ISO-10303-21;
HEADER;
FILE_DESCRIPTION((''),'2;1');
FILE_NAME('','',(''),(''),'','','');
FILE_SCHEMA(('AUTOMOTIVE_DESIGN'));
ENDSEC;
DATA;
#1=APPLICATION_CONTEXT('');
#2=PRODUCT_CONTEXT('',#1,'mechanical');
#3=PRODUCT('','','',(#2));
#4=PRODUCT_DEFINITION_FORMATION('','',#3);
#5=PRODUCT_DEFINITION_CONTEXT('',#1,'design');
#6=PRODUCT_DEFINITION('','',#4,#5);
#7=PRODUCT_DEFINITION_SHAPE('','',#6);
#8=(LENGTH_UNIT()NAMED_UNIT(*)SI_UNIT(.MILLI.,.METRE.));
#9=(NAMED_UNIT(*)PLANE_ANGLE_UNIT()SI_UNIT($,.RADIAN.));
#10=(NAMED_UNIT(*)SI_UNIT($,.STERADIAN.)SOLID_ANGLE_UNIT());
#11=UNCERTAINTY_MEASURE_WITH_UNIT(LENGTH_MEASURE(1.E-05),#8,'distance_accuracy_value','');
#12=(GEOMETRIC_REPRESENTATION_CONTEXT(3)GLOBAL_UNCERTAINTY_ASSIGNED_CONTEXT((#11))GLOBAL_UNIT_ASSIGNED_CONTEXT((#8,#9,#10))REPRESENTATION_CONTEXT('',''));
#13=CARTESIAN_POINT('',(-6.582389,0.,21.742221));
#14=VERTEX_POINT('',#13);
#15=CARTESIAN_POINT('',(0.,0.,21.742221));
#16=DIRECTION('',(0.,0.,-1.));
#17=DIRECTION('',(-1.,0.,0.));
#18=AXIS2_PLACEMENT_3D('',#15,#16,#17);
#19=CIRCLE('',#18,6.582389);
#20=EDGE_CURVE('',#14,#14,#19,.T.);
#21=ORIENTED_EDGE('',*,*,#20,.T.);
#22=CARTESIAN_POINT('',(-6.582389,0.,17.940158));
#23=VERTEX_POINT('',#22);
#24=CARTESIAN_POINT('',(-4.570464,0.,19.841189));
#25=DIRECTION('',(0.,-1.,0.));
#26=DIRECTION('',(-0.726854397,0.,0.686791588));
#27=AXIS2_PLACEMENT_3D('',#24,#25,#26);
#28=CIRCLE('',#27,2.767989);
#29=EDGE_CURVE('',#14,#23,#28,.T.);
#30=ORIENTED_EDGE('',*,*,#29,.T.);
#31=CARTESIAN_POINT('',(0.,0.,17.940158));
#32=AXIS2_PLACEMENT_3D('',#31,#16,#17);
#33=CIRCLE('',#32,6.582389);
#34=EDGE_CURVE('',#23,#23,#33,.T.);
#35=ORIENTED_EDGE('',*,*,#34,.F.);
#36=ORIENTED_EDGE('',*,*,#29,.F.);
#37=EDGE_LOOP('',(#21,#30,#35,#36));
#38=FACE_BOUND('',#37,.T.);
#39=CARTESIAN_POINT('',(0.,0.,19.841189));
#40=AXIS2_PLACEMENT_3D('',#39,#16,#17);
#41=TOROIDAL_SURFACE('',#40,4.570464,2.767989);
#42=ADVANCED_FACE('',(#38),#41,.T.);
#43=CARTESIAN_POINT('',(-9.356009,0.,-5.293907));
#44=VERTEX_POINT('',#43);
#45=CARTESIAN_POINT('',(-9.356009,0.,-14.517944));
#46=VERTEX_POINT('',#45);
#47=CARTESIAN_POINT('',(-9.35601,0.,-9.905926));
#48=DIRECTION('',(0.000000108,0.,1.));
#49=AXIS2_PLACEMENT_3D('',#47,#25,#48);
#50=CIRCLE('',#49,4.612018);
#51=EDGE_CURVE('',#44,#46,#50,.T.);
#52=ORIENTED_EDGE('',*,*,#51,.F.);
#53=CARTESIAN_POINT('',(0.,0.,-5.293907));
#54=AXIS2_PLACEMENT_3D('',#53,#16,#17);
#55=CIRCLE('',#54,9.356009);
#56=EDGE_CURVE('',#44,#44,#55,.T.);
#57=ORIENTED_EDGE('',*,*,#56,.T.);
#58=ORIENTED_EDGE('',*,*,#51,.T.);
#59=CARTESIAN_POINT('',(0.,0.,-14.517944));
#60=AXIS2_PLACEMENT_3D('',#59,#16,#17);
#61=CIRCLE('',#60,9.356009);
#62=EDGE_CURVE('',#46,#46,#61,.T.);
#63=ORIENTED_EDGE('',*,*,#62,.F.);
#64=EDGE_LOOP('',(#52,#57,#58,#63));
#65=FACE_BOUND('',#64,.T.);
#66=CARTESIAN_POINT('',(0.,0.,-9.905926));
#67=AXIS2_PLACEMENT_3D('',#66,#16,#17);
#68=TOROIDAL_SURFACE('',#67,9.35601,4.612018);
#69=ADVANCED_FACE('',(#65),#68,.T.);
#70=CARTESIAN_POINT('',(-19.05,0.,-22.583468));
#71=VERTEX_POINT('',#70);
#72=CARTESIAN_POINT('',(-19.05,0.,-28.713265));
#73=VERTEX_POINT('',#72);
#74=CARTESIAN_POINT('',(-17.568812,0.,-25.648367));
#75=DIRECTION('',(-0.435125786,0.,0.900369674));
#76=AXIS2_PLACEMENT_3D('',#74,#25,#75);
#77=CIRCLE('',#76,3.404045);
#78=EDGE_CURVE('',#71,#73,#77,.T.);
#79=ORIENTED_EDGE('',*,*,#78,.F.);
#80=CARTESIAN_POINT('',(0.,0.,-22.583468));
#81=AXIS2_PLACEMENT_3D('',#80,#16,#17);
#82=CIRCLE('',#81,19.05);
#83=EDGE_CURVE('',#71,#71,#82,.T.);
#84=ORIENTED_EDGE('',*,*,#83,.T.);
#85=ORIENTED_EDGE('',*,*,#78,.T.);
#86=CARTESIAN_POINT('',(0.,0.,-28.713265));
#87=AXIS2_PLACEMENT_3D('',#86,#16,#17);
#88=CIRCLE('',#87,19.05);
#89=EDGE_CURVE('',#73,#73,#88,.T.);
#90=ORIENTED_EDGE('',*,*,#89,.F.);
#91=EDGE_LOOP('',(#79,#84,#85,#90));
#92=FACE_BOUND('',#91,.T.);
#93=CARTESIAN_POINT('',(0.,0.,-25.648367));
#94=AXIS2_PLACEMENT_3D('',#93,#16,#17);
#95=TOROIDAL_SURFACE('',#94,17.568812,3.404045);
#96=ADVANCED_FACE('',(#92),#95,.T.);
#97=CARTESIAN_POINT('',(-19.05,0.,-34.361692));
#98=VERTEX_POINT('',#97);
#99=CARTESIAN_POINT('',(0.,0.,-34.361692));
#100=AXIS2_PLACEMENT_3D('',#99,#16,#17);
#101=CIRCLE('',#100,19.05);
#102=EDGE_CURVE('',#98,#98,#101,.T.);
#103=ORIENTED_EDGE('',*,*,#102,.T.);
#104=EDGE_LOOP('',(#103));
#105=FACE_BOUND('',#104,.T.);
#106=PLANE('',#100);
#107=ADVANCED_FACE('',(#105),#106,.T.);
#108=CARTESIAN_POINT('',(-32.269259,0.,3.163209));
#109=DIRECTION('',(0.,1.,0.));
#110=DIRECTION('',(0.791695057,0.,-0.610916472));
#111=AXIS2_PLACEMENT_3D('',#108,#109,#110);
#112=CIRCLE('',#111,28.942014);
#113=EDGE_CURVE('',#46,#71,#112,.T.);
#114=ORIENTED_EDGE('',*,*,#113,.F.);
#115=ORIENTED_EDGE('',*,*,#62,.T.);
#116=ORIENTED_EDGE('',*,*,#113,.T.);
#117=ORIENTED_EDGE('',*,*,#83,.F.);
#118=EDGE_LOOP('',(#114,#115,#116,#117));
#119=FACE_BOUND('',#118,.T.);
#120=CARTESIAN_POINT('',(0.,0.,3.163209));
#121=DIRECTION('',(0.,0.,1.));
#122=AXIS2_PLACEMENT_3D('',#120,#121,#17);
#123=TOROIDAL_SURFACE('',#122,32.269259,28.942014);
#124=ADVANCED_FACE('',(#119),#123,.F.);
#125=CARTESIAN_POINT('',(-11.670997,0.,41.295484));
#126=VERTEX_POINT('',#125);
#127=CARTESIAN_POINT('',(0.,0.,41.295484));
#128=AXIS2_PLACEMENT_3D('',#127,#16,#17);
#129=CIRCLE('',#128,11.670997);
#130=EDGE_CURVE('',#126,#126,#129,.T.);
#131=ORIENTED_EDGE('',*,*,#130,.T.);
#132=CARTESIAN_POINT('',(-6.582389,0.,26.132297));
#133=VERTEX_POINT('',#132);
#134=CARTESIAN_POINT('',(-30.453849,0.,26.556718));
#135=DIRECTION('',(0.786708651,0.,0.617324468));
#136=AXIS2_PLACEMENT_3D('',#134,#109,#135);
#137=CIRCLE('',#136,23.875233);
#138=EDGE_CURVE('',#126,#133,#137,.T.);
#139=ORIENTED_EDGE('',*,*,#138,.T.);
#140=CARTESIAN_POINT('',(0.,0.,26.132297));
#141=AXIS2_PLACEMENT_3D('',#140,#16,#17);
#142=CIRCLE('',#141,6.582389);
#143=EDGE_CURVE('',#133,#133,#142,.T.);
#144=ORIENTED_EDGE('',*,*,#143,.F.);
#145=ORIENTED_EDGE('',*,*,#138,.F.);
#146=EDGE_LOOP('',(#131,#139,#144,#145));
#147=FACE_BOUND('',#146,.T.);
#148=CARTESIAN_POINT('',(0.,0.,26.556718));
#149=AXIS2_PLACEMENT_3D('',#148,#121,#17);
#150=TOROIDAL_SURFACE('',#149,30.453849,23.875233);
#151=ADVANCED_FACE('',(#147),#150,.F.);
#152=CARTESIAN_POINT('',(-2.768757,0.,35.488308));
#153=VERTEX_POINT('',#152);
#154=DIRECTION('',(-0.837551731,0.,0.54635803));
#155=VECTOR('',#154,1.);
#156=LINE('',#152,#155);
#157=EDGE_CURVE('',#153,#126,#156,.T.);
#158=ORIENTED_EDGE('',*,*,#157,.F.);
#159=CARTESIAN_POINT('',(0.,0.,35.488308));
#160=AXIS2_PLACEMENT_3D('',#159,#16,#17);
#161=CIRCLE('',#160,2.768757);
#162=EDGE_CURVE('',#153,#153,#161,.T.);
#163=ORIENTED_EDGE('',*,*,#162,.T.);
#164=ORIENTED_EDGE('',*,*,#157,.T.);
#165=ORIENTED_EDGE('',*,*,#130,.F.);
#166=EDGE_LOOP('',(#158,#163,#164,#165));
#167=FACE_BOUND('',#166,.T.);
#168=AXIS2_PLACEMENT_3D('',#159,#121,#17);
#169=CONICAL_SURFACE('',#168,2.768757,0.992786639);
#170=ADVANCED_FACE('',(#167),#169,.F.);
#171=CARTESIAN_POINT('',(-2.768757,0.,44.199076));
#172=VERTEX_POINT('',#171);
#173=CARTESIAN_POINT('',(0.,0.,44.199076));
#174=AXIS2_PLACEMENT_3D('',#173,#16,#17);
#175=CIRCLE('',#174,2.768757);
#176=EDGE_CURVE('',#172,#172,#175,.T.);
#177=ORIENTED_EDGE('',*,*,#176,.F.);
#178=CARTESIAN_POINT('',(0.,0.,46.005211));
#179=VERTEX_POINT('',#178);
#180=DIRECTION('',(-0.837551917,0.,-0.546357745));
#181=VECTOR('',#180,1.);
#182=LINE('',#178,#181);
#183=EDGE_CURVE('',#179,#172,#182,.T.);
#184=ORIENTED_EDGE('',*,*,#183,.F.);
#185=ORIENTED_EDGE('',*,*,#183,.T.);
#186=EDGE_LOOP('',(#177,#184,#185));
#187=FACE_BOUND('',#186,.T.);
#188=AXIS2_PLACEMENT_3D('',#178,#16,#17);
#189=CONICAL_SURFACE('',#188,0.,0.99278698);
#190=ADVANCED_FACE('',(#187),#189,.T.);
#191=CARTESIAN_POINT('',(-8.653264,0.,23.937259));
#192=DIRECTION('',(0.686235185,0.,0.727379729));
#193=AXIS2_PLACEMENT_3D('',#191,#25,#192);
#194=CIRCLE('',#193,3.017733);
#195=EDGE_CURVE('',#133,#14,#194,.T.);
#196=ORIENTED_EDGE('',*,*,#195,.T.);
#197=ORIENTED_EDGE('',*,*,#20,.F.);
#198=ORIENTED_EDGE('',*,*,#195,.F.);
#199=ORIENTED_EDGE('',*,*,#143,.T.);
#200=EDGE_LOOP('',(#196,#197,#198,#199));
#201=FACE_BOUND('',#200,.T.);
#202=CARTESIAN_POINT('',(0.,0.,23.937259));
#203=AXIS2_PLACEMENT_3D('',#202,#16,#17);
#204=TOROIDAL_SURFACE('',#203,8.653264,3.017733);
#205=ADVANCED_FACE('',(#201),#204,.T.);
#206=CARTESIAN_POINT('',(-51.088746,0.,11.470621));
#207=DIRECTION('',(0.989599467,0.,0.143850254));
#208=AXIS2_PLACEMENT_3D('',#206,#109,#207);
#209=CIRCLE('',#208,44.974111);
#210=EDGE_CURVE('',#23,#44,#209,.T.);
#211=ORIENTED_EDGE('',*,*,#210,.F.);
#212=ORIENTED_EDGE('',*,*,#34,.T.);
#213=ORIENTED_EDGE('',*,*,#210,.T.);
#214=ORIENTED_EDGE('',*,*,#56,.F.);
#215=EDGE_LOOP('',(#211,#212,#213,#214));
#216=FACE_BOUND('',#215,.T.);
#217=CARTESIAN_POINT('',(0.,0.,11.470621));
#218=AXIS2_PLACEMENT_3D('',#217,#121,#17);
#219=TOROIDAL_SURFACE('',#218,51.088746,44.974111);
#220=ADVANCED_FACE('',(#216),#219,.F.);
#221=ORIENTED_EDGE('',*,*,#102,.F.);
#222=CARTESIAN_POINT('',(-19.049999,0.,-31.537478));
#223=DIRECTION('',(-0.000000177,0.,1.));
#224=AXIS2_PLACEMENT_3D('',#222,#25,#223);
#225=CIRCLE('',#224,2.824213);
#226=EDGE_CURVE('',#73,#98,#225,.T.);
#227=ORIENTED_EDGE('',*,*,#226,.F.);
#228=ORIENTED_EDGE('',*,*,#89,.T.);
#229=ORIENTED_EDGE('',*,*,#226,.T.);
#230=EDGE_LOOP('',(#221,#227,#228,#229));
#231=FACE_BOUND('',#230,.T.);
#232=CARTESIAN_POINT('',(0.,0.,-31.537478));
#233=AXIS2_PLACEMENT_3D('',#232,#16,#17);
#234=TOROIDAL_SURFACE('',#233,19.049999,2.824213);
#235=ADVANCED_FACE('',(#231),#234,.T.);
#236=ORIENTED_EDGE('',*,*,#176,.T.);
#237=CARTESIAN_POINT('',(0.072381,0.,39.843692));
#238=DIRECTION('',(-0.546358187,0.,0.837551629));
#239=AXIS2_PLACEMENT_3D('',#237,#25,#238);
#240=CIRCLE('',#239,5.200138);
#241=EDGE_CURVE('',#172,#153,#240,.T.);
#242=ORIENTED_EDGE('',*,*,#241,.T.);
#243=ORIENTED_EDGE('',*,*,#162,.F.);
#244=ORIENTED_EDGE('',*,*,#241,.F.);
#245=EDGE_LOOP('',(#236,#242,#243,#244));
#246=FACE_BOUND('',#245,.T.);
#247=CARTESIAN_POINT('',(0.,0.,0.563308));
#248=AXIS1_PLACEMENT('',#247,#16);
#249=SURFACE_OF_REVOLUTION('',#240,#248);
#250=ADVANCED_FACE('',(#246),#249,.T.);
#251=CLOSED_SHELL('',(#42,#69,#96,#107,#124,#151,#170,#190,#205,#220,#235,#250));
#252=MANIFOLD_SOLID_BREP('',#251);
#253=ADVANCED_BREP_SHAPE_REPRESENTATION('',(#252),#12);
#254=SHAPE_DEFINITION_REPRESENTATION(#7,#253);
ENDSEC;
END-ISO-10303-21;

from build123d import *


with BuildPart() as f1:
    # F0 (on Front) → F1 (revolve)
    with BuildSketch(Plane.XZ):
        with BuildLine():
            Line((0, -34.361692), (0, 35.488308))
            Line((0, 35.488308), (0, 40.972862))
            Line((0, 40.972862), (0, 46.005211))
            Line((0, 46.005211), (-2.768757, 44.199076))
            ThreePointArc((-2.768757, 44.199076), (-5.127757, 39.843692), (-2.768757, 35.488308))
            Line((-2.768757, 35.488308), (-11.670997, 41.295484))
            ThreePointArc((-11.670997, 41.295484), (-7.819182, 34.152677), (-6.582389, 26.132297))
            ThreePointArc((-6.582389, 26.132297), (-11.670997, 23.937259), (-6.582389, 21.742221))
            ThreePointArc((-6.582389, 21.742221), (-7.338453, 19.841189), (-6.582389, 17.940158))
            ThreePointArc((-6.582389, 17.940158), (-6.431711, 6.139584), (-9.356009, -5.293907))
            ThreePointArc((-9.356009, -5.293907), (-13.968028, -9.905926), (-9.356009, -14.517944))
            ThreePointArc((-9.356009, -14.517944), (-13.758378, -19.085105), (-19.05, -22.583468))
            ThreePointArc((-19.05, -22.583468), (-20.972857, -25.648367), (-19.05, -28.713265))
            ThreePointArc((-19.05, -28.713265), (-21.874213, -31.537479), (-19.05, -34.361692))
            Line((-19.05, -34.361692), (0, -34.361692))
        make_face()
    revolve(axis=Axis((0, 0, 0.563308), (0, 0, -1)))


solid = f1.part
